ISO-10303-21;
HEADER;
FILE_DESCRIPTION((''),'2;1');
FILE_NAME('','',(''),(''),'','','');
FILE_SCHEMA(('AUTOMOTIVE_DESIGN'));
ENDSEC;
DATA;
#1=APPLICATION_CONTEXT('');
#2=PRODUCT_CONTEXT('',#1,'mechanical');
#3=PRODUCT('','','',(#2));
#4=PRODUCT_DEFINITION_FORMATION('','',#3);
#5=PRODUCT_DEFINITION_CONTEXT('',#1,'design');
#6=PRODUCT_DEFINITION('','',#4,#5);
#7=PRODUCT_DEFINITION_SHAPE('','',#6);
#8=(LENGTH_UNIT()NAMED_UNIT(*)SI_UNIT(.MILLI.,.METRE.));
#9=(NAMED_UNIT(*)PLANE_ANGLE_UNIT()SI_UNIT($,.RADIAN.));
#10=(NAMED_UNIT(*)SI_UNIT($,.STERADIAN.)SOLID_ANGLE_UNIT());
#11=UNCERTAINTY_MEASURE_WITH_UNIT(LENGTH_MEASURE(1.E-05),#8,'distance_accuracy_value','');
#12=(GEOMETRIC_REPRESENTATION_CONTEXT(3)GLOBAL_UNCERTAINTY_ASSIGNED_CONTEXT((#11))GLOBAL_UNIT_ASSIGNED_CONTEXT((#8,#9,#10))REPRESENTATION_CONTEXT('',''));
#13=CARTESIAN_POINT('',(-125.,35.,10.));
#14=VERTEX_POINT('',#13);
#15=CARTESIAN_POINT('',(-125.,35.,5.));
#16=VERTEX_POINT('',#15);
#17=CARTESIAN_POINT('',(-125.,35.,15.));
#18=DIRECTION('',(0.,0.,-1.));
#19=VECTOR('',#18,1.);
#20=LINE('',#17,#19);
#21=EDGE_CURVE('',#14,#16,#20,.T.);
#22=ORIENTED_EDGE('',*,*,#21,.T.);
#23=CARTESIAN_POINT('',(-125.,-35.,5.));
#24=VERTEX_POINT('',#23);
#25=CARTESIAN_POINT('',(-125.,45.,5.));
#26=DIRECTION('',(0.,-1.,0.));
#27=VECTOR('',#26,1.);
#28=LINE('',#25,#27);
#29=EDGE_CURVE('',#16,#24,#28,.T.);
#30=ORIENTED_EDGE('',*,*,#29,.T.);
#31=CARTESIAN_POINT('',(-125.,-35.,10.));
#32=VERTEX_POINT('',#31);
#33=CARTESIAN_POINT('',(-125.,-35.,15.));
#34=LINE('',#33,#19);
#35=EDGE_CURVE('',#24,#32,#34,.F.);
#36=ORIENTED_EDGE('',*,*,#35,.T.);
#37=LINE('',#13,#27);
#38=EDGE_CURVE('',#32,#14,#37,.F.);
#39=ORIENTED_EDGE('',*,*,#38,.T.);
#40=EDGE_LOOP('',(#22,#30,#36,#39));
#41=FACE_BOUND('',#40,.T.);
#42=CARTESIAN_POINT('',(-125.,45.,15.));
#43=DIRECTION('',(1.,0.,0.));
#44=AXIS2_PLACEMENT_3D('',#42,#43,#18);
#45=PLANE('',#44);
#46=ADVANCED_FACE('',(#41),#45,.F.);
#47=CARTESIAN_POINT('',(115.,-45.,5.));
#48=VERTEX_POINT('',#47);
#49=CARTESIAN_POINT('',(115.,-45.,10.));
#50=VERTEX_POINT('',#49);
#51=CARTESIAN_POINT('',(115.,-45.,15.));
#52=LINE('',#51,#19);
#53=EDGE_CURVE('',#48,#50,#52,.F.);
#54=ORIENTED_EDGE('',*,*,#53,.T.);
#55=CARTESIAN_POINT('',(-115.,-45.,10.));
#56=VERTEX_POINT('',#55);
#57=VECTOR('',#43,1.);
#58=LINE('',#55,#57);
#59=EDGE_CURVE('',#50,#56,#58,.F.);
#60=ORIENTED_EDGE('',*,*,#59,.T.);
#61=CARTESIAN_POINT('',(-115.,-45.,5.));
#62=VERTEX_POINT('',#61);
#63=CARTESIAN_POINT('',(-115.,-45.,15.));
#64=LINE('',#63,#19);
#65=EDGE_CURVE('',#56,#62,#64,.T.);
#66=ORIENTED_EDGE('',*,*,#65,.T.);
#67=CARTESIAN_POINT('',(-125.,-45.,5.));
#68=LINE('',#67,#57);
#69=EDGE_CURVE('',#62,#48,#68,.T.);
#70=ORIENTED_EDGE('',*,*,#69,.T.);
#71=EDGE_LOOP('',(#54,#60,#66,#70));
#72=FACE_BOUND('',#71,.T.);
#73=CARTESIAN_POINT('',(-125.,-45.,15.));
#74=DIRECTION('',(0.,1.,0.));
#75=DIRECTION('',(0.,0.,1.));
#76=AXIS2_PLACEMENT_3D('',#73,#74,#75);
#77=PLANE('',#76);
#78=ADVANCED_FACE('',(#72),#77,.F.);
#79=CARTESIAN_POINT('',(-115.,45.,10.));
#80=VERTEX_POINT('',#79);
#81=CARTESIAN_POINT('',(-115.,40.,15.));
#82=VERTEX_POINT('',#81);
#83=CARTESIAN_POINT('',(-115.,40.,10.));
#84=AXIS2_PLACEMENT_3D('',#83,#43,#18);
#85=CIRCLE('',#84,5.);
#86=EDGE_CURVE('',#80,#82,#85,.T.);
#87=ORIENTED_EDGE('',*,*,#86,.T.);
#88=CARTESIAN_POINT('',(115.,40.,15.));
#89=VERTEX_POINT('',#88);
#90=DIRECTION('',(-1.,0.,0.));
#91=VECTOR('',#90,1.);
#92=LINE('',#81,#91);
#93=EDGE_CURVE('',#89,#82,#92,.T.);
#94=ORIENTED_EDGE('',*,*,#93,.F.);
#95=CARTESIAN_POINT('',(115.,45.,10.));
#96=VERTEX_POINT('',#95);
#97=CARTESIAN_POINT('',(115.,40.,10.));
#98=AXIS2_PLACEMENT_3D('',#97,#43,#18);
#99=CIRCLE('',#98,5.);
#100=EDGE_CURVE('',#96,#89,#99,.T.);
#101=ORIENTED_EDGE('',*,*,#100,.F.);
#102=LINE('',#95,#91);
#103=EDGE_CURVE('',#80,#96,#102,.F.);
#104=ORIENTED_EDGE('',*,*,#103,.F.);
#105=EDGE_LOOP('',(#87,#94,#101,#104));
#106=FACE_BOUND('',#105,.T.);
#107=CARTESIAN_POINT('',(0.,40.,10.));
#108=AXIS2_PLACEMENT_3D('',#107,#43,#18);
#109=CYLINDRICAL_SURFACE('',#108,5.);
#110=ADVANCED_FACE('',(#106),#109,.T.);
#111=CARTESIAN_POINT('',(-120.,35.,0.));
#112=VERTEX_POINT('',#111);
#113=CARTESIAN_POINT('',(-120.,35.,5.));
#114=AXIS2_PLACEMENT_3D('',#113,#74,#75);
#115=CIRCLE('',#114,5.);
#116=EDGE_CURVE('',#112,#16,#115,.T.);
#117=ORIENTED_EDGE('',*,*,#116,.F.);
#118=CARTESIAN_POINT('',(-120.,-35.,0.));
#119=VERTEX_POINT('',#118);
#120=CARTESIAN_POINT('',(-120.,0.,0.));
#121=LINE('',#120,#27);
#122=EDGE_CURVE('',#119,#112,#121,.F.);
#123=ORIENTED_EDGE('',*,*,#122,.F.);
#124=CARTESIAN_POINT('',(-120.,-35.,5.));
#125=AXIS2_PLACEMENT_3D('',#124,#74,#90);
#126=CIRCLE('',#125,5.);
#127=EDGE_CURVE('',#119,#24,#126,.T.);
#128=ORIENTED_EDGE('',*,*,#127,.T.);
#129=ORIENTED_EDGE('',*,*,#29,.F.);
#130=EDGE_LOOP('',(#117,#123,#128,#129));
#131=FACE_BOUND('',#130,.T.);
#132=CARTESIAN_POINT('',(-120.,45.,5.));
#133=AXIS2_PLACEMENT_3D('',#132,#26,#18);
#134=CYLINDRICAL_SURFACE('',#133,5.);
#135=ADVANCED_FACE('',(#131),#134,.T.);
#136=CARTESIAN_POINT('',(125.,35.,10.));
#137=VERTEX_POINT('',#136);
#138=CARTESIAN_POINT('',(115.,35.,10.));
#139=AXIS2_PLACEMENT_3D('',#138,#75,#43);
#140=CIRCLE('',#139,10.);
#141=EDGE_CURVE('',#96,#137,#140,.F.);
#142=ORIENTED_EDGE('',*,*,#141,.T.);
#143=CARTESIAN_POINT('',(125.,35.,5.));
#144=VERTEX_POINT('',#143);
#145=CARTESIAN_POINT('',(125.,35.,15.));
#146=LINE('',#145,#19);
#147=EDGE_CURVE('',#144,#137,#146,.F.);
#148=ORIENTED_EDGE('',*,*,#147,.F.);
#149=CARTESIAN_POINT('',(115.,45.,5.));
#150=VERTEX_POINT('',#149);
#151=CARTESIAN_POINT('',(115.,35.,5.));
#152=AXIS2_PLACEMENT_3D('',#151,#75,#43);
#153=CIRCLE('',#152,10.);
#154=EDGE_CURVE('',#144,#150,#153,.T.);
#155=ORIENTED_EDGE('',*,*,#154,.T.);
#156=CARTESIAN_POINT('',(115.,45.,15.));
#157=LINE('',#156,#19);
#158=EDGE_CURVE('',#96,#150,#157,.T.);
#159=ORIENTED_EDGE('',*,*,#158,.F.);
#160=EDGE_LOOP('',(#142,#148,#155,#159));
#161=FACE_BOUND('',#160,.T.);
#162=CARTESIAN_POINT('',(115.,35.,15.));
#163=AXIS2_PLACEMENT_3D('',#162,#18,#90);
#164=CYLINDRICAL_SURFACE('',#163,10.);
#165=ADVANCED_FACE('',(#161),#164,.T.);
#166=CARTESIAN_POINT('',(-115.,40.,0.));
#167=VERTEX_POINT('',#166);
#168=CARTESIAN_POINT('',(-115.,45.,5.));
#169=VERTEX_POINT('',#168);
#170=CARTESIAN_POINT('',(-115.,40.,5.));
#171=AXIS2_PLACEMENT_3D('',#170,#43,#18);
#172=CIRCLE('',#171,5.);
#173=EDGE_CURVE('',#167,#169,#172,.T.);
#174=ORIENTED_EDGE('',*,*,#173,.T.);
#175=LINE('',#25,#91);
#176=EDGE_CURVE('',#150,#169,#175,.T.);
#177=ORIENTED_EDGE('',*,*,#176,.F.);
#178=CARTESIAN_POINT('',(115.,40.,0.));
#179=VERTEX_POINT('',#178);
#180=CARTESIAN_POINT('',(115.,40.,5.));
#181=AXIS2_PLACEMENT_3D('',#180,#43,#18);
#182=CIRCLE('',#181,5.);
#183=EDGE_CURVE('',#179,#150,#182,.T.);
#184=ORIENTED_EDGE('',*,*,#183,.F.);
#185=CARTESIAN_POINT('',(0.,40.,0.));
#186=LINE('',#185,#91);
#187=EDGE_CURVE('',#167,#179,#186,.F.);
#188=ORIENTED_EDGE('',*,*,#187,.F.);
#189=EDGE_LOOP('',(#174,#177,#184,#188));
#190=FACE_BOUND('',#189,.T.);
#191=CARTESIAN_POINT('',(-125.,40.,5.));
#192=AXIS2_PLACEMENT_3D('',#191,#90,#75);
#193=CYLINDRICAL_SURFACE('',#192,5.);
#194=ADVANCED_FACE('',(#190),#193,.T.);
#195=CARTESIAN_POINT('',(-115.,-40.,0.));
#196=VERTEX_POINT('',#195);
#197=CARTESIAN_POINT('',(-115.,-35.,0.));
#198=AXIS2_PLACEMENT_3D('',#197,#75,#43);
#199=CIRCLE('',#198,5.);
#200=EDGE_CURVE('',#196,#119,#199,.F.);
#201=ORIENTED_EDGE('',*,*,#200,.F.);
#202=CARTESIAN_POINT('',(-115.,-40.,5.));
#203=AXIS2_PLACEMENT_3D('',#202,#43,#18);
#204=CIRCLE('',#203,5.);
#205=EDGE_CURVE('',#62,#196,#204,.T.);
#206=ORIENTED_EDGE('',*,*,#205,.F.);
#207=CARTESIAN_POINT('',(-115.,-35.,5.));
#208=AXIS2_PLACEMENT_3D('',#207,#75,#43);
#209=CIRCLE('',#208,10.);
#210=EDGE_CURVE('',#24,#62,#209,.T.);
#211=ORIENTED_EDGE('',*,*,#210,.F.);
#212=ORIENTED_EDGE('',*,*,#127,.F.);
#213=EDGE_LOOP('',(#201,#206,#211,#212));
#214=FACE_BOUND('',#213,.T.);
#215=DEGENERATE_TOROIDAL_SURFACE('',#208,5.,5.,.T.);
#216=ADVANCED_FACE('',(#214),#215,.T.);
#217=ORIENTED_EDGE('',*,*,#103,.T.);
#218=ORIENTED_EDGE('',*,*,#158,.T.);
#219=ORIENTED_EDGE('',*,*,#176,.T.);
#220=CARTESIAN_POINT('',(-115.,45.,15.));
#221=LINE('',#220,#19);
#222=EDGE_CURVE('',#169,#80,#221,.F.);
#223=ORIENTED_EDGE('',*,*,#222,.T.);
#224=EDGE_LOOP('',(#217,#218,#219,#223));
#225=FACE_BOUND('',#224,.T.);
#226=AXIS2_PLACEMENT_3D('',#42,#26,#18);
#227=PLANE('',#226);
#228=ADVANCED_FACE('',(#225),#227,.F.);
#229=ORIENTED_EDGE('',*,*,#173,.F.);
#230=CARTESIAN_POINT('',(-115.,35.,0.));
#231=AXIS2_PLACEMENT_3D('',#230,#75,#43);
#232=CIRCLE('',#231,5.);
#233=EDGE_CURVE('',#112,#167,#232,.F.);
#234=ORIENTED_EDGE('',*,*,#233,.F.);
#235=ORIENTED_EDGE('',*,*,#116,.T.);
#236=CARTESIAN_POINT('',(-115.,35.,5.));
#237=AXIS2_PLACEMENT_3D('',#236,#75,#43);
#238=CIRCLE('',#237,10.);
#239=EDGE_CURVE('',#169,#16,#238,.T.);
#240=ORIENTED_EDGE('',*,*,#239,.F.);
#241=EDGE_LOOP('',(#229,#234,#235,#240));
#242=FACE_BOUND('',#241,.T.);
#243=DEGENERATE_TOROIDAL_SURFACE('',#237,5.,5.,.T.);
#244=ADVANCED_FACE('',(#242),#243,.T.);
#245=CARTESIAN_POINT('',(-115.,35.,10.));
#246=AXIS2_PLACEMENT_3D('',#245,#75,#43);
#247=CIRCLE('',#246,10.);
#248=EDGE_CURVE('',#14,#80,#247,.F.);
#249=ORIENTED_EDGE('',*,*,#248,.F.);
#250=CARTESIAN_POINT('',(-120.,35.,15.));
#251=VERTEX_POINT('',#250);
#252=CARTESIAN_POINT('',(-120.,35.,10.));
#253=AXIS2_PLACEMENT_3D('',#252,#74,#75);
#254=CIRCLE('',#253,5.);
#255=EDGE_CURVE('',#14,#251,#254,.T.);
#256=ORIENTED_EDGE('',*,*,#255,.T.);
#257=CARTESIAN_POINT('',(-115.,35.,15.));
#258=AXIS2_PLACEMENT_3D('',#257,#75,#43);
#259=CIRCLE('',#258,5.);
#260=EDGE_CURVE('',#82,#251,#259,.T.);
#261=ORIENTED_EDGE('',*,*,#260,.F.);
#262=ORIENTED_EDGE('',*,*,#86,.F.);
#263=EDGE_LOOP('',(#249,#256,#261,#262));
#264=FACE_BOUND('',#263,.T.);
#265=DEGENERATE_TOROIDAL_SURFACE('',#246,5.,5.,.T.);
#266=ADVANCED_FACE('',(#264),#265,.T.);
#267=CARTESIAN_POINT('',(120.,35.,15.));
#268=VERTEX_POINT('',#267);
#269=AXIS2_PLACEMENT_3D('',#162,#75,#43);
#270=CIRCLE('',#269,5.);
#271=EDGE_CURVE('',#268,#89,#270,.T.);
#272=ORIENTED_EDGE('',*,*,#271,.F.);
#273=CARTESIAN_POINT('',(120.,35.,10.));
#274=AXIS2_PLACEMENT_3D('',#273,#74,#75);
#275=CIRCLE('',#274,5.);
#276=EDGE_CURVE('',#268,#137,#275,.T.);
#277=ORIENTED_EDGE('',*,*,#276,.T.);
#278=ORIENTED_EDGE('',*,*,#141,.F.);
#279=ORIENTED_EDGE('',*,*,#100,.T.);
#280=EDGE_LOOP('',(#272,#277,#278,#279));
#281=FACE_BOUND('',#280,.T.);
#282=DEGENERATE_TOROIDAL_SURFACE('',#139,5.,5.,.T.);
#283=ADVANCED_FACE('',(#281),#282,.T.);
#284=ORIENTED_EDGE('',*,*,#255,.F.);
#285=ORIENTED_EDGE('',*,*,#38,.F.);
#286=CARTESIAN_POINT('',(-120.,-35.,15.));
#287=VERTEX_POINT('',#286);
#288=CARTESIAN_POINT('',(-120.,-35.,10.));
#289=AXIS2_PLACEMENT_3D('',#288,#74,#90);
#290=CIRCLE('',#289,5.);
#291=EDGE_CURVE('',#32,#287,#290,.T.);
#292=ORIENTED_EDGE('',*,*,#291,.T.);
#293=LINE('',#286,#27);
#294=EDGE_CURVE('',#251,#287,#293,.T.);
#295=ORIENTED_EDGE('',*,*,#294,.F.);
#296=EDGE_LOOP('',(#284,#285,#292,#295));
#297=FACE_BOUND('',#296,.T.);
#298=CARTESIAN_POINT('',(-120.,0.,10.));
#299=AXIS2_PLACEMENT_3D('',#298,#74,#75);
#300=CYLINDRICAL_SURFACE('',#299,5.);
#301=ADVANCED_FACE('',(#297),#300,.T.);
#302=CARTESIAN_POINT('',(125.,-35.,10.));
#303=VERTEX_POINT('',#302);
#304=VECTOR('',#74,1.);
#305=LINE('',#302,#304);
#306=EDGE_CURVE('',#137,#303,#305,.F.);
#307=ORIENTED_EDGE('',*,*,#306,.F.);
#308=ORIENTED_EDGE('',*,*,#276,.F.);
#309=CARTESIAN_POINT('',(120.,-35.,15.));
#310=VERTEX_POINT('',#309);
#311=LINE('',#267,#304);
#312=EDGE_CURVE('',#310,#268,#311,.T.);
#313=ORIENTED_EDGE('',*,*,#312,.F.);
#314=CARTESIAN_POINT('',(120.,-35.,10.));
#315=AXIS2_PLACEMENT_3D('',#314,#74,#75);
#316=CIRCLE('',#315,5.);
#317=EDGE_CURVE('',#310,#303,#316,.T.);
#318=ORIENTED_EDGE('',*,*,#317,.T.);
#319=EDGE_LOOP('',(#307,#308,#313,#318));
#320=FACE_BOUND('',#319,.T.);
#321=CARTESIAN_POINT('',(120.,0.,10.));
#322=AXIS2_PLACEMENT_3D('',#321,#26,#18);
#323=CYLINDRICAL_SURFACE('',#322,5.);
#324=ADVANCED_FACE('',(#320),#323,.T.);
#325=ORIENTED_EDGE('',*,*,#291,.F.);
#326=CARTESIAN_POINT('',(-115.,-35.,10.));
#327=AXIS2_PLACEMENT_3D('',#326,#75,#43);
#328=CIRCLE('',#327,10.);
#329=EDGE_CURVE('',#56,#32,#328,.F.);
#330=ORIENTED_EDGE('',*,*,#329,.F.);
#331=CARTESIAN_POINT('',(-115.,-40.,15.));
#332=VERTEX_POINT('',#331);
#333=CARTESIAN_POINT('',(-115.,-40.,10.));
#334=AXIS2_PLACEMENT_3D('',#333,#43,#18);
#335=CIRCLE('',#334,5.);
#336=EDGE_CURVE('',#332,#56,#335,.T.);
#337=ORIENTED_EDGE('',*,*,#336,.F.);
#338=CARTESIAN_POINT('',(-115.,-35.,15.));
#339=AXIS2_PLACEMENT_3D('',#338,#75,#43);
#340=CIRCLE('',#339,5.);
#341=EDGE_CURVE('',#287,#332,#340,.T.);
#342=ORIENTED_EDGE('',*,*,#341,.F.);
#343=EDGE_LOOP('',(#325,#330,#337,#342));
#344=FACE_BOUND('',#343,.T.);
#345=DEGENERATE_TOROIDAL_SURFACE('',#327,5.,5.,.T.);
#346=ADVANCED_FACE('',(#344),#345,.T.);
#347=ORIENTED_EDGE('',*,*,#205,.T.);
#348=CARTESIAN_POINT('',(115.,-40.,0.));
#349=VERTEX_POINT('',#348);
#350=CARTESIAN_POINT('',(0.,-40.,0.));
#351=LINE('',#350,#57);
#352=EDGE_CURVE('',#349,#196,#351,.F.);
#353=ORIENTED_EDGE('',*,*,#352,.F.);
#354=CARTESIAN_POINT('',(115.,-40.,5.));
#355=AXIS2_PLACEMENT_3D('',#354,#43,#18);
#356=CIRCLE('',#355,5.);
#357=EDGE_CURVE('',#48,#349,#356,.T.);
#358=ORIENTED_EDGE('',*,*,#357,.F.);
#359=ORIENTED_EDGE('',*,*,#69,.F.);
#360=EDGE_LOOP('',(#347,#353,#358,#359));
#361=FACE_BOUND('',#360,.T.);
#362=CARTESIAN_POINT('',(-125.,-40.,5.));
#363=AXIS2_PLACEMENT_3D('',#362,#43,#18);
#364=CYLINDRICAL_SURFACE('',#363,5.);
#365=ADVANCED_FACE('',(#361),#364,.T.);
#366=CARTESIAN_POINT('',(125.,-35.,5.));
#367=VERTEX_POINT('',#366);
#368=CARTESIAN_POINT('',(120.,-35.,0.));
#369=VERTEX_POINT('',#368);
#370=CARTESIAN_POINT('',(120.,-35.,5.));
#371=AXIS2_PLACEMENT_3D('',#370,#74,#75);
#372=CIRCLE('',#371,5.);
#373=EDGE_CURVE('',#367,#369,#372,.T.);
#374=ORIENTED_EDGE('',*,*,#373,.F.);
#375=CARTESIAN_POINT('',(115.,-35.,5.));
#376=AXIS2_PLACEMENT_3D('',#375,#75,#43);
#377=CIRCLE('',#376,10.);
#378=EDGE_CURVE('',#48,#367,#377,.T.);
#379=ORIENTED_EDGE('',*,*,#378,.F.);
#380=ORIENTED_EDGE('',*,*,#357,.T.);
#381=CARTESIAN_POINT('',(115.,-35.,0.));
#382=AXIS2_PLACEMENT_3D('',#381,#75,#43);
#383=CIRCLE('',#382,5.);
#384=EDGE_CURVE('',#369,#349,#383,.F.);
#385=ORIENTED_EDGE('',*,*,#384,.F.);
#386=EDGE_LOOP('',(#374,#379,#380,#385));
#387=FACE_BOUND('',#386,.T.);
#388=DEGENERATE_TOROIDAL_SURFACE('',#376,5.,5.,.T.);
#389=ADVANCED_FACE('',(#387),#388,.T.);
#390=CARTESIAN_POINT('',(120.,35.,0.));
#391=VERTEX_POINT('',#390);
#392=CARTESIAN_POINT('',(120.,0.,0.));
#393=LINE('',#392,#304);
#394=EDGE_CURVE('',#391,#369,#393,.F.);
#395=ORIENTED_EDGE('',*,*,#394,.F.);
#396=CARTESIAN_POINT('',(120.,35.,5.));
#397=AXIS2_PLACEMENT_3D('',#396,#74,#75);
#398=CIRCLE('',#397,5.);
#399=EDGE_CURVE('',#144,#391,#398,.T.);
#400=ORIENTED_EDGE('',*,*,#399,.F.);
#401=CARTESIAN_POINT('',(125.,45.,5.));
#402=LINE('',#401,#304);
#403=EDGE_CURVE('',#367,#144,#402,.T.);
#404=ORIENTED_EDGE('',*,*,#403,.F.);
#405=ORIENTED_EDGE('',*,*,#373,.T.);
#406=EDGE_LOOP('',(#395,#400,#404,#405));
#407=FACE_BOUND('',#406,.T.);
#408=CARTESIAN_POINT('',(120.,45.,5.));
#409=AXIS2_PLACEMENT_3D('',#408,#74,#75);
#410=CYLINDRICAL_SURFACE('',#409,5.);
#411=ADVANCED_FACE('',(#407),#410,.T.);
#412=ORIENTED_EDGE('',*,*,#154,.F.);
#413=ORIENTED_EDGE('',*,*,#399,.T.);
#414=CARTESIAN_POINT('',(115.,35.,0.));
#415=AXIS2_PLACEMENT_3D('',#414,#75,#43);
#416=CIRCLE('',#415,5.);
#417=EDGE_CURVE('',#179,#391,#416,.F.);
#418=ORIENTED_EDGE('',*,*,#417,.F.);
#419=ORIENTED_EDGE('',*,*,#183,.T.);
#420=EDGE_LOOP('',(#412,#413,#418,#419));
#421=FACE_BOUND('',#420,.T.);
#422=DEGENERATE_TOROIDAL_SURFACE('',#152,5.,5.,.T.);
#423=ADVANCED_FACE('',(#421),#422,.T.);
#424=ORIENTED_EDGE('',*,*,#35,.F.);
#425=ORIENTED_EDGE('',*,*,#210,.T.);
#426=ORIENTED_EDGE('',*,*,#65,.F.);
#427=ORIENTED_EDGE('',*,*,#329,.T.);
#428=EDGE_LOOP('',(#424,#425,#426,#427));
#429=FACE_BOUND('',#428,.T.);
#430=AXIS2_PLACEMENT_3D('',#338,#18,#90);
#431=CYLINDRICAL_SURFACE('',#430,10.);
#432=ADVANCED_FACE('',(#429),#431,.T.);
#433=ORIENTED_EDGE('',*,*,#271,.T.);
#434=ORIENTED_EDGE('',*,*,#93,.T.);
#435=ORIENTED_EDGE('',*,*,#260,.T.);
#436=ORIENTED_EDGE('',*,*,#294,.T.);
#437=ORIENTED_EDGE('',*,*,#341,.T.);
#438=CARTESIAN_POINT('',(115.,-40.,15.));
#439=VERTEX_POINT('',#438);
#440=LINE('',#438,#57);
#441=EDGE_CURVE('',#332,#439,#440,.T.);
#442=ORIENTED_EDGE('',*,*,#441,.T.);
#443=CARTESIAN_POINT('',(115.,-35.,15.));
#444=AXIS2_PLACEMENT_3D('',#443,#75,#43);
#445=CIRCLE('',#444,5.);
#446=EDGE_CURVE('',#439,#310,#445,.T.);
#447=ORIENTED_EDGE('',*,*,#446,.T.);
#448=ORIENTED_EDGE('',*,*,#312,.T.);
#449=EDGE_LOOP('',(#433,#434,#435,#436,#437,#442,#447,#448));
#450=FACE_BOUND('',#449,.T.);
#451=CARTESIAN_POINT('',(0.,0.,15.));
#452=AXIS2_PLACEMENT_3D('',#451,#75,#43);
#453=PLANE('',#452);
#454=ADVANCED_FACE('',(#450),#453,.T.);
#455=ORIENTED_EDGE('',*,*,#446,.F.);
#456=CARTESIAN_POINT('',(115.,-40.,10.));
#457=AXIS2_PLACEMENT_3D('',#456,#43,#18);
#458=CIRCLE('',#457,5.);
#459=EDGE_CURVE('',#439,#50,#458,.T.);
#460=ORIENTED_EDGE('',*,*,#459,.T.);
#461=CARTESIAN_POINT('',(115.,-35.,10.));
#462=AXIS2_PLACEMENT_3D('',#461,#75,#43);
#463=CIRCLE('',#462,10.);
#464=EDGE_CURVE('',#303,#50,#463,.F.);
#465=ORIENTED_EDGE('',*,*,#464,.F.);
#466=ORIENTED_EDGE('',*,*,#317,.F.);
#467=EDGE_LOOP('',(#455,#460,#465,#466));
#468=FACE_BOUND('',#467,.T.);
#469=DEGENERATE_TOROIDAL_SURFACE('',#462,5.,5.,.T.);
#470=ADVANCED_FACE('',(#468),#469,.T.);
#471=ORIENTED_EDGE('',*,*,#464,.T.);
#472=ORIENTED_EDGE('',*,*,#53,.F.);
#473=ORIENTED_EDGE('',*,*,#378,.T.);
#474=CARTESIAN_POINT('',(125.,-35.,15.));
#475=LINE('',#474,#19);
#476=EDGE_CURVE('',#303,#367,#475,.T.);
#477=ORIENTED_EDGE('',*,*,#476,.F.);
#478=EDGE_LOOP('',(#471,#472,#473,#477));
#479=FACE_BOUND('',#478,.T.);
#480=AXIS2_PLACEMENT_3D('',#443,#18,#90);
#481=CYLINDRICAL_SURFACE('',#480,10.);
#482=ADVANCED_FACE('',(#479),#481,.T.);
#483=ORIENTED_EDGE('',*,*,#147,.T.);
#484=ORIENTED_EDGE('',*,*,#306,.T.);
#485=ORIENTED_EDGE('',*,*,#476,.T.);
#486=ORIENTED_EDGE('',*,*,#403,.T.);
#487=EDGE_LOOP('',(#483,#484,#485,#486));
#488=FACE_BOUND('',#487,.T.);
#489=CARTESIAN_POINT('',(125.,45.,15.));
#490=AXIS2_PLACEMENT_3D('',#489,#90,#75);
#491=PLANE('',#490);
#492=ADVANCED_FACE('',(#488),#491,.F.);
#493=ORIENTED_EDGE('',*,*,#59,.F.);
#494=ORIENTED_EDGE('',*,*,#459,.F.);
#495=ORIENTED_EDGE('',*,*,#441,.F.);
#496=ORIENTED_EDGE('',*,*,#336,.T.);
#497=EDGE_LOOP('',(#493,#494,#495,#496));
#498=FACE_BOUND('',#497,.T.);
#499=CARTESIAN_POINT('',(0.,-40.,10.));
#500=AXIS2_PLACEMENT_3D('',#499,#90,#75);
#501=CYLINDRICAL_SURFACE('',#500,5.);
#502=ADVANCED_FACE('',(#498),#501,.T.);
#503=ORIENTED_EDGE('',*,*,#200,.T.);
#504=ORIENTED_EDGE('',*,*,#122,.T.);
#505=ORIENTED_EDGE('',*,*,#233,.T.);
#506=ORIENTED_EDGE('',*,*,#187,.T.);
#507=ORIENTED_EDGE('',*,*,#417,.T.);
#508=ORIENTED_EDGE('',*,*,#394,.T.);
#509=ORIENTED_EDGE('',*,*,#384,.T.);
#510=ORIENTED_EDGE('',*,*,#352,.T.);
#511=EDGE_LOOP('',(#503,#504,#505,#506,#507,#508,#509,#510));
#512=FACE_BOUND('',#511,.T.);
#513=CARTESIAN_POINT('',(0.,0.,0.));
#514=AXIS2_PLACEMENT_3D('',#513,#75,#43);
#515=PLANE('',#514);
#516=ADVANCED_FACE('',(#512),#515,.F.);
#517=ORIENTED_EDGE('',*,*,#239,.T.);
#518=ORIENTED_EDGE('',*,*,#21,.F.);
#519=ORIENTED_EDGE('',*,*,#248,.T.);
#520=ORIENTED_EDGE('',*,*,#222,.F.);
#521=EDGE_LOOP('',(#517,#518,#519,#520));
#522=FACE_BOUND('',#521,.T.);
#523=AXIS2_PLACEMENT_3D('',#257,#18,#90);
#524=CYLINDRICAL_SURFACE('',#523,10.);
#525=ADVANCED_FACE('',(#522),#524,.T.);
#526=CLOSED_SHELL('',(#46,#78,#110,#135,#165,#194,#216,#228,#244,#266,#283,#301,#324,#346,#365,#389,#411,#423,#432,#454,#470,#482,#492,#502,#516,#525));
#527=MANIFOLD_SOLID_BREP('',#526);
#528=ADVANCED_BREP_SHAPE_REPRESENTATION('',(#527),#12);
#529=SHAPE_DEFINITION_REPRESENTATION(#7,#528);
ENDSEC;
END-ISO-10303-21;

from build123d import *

# Parameters (mm, degrees)
SKETCH1_W           = 250
SKETCH1_H           = 90
BOSS_EXTRUDE1_DEPTH = 15
FILLET1_R           = 10
FILLET2_R           = 5


with BuildPart() as part:
    # Sketch1 → Boss-Extrude1 (new body)
    with BuildSketch(Plane.XY):
        Rectangle(SKETCH1_W, SKETCH1_H)
    extrude(amount=BOSS_EXTRUDE1_DEPTH)

    # Fillet1
    fillet1_edges = [part.edges().sort_by_distance(p)[0] for p in [
        (125, -45, 7.5),
        (-125, -45, 7.5),
        (-125, 45, 7.5),
        (125, 45, 7.5),
    ]]
    fillet(fillet1_edges, radius=FILLET1_R)

    # Fillet2
    fillet2_edges = [part.edges().sort_by_distance(p)[0] for p in [
        (0, 45, 0),
        (0, 45, 15),
        (125, 0, 0),
        (0, -45, 0),
        (-125, 0, 0),
        (-122.071067812, 42.071067812, 0),
        (-122.071067812, -42.071067812, 0),
        (122.071067812, -42.071067812, 0),
        (122.071067812, 42.071067812, 0),
        (125, 0, 15),
        (-125, 0, 15),
        (0, -45, 15),
        (-122.071067812, 42.071067812, 15),
        (-122.071067812, -42.071067812, 15),
        (122.071067812, -42.071067812, 15),
        (122.071067812, 42.071067812, 15),
    ]]
    fillet(fillet2_edges, radius=FILLET2_R)


solid = part.part
